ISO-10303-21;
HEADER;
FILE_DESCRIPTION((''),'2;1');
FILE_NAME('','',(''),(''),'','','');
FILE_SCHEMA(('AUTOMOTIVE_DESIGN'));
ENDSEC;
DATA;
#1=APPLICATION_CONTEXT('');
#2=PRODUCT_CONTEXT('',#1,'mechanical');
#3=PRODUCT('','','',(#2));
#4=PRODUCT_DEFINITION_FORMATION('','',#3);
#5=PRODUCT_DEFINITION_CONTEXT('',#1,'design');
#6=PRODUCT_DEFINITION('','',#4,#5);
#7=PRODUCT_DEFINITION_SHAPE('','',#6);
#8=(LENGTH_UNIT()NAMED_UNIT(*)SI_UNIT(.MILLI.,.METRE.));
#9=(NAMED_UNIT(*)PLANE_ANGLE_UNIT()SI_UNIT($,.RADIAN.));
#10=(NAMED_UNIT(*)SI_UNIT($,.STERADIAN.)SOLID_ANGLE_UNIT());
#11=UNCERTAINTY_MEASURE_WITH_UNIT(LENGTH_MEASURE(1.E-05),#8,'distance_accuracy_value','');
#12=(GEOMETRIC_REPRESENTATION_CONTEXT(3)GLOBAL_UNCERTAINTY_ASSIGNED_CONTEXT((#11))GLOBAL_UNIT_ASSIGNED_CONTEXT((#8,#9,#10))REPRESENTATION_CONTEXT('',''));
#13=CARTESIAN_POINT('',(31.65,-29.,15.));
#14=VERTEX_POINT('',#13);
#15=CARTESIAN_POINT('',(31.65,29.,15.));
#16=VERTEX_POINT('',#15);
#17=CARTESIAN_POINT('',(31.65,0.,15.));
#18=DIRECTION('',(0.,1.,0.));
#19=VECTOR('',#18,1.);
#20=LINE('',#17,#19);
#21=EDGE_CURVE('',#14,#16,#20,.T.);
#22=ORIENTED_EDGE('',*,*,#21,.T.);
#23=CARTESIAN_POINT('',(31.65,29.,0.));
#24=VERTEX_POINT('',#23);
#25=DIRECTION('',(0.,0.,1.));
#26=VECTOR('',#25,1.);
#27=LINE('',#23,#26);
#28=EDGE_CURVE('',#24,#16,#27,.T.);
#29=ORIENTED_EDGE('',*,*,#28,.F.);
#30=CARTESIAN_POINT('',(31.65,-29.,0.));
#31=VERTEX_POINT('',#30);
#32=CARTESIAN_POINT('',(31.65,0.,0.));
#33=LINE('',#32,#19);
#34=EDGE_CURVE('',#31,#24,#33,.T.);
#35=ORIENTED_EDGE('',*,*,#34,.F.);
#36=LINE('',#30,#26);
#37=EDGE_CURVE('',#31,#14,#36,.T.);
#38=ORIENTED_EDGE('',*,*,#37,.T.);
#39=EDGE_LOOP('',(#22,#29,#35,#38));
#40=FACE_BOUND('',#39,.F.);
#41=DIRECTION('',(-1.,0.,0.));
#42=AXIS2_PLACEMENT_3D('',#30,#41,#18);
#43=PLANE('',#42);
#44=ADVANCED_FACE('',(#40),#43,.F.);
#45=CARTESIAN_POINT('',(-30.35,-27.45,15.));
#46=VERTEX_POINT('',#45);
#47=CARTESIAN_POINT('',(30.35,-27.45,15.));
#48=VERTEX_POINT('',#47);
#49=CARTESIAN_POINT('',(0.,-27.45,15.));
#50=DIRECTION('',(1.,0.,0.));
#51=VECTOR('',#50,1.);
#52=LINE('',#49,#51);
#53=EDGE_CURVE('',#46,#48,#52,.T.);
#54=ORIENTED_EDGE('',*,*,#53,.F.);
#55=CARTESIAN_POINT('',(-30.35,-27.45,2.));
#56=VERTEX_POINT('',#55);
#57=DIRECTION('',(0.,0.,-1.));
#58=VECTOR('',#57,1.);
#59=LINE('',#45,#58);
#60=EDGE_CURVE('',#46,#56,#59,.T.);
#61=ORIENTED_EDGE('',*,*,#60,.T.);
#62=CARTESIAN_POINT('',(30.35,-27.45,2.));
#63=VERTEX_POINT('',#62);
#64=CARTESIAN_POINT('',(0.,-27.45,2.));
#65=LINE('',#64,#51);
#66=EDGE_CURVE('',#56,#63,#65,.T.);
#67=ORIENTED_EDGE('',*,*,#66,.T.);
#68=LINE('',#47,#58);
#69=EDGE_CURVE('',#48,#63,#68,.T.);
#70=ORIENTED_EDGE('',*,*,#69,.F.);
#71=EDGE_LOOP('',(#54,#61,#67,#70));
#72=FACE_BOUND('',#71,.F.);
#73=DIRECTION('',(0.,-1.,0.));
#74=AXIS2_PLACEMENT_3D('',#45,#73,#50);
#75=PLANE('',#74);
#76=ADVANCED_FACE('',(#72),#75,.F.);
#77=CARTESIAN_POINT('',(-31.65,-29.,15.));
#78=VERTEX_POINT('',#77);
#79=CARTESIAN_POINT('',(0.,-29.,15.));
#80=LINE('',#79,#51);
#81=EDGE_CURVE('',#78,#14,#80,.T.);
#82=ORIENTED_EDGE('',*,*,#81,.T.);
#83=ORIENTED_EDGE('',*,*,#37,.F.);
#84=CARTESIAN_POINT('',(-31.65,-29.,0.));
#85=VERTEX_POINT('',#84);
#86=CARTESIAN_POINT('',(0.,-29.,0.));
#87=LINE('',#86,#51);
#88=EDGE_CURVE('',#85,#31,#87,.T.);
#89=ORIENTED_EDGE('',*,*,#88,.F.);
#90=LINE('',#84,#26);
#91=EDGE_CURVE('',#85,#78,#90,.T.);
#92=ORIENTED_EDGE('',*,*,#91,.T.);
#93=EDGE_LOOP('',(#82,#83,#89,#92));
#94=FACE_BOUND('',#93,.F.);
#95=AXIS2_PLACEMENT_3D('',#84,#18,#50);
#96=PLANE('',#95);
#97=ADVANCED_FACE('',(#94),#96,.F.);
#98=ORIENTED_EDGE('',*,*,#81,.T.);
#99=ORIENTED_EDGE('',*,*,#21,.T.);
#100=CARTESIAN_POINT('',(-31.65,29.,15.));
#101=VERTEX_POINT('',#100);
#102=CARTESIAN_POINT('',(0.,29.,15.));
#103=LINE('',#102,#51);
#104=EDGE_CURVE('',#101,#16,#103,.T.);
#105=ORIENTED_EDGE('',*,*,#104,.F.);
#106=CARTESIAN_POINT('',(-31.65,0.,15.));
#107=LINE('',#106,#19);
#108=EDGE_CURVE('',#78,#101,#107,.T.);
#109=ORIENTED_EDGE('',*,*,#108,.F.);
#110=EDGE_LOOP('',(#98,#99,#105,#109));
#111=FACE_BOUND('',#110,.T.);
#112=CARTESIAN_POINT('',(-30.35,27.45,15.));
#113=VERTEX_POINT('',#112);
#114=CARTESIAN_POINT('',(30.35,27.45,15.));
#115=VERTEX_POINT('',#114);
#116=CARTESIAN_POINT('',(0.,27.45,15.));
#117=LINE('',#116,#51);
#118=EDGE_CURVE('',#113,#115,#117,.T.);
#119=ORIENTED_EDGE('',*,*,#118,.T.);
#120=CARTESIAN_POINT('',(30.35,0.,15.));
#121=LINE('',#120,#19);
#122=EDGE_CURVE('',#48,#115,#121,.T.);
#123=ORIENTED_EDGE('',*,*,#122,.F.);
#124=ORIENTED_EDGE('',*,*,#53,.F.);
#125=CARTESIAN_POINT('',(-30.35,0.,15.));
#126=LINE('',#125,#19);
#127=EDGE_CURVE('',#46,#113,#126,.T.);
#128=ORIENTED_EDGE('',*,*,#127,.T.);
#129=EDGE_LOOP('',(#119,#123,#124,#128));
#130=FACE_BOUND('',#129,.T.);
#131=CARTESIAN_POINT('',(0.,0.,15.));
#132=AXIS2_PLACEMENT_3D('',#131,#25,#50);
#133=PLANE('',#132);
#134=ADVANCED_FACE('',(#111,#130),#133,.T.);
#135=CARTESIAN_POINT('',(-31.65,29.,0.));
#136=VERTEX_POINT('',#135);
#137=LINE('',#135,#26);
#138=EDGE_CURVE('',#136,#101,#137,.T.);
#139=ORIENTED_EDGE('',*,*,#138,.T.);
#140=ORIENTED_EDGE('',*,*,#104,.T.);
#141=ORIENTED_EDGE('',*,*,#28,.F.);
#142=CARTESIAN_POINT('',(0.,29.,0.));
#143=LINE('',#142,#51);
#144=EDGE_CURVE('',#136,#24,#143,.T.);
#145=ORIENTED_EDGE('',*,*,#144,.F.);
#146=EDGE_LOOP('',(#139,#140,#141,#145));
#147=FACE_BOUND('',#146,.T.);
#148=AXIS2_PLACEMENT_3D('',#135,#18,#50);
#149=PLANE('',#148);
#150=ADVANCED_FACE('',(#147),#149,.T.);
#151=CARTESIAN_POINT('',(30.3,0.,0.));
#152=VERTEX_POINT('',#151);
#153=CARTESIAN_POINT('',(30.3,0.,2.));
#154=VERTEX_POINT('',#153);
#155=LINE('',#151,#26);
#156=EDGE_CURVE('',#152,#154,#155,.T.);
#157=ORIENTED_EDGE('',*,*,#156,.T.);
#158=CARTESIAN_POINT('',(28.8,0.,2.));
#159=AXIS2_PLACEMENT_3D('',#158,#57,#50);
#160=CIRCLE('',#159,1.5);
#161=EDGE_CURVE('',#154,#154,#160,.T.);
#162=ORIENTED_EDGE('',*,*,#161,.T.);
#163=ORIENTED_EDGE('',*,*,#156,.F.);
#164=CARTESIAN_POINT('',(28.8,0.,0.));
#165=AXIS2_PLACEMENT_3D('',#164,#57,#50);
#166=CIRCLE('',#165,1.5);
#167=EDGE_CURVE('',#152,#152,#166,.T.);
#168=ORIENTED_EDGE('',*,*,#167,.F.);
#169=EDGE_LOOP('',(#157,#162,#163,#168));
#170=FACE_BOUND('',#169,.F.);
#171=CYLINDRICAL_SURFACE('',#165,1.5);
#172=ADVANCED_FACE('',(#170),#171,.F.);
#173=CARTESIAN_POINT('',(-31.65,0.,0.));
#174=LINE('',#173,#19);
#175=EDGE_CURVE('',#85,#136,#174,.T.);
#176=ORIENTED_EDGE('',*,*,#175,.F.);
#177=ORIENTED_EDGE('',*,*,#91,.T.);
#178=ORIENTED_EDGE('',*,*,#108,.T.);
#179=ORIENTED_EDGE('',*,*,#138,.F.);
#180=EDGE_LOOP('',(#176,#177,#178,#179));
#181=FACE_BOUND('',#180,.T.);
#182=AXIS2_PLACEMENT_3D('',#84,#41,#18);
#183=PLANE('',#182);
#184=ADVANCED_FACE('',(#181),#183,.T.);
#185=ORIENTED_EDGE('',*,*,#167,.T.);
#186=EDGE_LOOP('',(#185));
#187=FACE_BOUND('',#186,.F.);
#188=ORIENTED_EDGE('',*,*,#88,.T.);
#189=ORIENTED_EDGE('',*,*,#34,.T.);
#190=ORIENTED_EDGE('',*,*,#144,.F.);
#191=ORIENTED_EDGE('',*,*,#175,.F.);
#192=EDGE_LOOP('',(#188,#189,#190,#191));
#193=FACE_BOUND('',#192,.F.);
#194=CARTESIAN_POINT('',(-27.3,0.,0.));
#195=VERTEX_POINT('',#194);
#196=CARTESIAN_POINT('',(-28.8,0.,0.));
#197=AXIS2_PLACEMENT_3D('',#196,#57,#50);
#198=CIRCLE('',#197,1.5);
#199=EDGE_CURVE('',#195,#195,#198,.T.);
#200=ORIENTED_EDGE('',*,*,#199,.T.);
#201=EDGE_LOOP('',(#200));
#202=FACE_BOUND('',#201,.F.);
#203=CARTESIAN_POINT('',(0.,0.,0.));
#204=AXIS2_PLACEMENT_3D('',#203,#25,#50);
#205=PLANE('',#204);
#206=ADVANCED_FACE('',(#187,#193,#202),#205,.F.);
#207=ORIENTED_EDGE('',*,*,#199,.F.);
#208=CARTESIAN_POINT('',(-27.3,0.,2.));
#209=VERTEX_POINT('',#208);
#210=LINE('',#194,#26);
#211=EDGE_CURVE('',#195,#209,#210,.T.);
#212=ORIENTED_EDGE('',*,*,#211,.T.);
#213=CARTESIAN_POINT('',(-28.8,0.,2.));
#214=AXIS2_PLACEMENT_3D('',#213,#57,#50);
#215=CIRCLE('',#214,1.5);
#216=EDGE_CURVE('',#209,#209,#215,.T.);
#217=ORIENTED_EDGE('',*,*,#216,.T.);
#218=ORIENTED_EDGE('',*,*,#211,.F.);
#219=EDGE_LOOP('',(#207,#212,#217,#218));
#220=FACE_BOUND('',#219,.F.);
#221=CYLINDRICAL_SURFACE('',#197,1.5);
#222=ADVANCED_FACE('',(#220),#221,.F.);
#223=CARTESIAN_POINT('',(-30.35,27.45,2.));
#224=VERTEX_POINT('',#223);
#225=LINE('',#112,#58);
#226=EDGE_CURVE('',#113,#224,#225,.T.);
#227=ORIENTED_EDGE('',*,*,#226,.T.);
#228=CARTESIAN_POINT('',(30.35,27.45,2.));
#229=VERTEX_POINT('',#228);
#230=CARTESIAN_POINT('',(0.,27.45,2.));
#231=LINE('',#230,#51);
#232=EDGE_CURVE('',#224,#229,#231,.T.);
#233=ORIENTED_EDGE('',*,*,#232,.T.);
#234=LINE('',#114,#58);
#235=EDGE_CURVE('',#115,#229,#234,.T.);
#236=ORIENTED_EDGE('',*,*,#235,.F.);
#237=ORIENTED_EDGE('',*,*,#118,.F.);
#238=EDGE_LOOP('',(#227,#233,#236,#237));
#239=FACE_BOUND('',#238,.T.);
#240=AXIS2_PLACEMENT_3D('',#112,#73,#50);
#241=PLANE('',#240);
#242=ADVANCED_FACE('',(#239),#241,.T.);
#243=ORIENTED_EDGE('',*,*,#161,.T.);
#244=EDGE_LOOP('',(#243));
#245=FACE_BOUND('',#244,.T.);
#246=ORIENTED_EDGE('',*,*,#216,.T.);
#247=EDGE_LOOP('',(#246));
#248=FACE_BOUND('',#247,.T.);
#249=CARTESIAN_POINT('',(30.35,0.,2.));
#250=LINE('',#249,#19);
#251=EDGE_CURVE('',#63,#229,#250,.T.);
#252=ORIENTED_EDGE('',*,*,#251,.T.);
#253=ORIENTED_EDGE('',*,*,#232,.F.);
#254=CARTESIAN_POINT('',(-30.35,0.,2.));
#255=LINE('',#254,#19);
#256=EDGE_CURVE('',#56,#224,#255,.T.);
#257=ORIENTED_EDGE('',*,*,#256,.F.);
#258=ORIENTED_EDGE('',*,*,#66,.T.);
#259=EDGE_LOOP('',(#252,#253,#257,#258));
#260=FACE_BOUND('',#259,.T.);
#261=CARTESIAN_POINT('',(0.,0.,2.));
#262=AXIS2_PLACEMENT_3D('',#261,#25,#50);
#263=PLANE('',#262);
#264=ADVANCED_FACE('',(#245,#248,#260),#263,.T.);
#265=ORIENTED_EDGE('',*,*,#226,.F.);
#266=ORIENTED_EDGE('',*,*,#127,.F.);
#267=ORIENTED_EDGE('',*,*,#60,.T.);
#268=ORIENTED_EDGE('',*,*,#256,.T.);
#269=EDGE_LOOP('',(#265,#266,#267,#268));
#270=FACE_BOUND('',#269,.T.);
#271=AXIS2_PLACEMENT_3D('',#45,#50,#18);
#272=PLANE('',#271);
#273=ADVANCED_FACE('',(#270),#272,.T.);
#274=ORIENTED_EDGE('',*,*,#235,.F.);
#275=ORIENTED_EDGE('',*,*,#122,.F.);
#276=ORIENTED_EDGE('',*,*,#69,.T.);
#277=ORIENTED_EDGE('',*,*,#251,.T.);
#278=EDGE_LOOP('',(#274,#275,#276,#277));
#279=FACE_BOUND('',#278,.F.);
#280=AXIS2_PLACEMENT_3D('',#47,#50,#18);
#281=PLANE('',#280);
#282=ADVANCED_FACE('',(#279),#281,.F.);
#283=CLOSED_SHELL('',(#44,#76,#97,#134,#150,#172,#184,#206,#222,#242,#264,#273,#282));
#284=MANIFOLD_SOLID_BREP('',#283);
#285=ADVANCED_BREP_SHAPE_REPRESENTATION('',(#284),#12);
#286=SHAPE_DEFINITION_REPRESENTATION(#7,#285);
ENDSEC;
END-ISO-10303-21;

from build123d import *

# Parameters (mm, degrees)
F0_W     = 63.3
F0_H     = 58
F1_DEPTH = 15
F2_W     = 60.7
F2_H     = 54.9
F3_DEPTH = 13
F4_R     = 1.5
F5_DEPTH = 15.001


with BuildPart() as f1:
    # F0 (on Top) → F1 (new body)
    with BuildSketch(Plane.XY):
        Rectangle(F0_W, F0_H)
    extrude(amount=F1_DEPTH)

    # F2 (on face) → F3 (cut)
    with BuildSketch(Plane.XY.offset(15)):
        Rectangle(F2_W, F2_H)
    extrude(amount=-F3_DEPTH, mode=Mode.SUBTRACT)

    # F4 (on face) → F5 (cut, through all)
    with BuildSketch(Plane(origin=(0, 0, 0), x_dir=(1, 0, 0), z_dir=(0, 0, -1))):
        with Locations((28.8, 0)):
            Circle(F4_R)
        with Locations((-28.8, 0)):
            Circle(F4_R)
    extrude(amount=-F5_DEPTH, mode=Mode.SUBTRACT)


solid = f1.part
